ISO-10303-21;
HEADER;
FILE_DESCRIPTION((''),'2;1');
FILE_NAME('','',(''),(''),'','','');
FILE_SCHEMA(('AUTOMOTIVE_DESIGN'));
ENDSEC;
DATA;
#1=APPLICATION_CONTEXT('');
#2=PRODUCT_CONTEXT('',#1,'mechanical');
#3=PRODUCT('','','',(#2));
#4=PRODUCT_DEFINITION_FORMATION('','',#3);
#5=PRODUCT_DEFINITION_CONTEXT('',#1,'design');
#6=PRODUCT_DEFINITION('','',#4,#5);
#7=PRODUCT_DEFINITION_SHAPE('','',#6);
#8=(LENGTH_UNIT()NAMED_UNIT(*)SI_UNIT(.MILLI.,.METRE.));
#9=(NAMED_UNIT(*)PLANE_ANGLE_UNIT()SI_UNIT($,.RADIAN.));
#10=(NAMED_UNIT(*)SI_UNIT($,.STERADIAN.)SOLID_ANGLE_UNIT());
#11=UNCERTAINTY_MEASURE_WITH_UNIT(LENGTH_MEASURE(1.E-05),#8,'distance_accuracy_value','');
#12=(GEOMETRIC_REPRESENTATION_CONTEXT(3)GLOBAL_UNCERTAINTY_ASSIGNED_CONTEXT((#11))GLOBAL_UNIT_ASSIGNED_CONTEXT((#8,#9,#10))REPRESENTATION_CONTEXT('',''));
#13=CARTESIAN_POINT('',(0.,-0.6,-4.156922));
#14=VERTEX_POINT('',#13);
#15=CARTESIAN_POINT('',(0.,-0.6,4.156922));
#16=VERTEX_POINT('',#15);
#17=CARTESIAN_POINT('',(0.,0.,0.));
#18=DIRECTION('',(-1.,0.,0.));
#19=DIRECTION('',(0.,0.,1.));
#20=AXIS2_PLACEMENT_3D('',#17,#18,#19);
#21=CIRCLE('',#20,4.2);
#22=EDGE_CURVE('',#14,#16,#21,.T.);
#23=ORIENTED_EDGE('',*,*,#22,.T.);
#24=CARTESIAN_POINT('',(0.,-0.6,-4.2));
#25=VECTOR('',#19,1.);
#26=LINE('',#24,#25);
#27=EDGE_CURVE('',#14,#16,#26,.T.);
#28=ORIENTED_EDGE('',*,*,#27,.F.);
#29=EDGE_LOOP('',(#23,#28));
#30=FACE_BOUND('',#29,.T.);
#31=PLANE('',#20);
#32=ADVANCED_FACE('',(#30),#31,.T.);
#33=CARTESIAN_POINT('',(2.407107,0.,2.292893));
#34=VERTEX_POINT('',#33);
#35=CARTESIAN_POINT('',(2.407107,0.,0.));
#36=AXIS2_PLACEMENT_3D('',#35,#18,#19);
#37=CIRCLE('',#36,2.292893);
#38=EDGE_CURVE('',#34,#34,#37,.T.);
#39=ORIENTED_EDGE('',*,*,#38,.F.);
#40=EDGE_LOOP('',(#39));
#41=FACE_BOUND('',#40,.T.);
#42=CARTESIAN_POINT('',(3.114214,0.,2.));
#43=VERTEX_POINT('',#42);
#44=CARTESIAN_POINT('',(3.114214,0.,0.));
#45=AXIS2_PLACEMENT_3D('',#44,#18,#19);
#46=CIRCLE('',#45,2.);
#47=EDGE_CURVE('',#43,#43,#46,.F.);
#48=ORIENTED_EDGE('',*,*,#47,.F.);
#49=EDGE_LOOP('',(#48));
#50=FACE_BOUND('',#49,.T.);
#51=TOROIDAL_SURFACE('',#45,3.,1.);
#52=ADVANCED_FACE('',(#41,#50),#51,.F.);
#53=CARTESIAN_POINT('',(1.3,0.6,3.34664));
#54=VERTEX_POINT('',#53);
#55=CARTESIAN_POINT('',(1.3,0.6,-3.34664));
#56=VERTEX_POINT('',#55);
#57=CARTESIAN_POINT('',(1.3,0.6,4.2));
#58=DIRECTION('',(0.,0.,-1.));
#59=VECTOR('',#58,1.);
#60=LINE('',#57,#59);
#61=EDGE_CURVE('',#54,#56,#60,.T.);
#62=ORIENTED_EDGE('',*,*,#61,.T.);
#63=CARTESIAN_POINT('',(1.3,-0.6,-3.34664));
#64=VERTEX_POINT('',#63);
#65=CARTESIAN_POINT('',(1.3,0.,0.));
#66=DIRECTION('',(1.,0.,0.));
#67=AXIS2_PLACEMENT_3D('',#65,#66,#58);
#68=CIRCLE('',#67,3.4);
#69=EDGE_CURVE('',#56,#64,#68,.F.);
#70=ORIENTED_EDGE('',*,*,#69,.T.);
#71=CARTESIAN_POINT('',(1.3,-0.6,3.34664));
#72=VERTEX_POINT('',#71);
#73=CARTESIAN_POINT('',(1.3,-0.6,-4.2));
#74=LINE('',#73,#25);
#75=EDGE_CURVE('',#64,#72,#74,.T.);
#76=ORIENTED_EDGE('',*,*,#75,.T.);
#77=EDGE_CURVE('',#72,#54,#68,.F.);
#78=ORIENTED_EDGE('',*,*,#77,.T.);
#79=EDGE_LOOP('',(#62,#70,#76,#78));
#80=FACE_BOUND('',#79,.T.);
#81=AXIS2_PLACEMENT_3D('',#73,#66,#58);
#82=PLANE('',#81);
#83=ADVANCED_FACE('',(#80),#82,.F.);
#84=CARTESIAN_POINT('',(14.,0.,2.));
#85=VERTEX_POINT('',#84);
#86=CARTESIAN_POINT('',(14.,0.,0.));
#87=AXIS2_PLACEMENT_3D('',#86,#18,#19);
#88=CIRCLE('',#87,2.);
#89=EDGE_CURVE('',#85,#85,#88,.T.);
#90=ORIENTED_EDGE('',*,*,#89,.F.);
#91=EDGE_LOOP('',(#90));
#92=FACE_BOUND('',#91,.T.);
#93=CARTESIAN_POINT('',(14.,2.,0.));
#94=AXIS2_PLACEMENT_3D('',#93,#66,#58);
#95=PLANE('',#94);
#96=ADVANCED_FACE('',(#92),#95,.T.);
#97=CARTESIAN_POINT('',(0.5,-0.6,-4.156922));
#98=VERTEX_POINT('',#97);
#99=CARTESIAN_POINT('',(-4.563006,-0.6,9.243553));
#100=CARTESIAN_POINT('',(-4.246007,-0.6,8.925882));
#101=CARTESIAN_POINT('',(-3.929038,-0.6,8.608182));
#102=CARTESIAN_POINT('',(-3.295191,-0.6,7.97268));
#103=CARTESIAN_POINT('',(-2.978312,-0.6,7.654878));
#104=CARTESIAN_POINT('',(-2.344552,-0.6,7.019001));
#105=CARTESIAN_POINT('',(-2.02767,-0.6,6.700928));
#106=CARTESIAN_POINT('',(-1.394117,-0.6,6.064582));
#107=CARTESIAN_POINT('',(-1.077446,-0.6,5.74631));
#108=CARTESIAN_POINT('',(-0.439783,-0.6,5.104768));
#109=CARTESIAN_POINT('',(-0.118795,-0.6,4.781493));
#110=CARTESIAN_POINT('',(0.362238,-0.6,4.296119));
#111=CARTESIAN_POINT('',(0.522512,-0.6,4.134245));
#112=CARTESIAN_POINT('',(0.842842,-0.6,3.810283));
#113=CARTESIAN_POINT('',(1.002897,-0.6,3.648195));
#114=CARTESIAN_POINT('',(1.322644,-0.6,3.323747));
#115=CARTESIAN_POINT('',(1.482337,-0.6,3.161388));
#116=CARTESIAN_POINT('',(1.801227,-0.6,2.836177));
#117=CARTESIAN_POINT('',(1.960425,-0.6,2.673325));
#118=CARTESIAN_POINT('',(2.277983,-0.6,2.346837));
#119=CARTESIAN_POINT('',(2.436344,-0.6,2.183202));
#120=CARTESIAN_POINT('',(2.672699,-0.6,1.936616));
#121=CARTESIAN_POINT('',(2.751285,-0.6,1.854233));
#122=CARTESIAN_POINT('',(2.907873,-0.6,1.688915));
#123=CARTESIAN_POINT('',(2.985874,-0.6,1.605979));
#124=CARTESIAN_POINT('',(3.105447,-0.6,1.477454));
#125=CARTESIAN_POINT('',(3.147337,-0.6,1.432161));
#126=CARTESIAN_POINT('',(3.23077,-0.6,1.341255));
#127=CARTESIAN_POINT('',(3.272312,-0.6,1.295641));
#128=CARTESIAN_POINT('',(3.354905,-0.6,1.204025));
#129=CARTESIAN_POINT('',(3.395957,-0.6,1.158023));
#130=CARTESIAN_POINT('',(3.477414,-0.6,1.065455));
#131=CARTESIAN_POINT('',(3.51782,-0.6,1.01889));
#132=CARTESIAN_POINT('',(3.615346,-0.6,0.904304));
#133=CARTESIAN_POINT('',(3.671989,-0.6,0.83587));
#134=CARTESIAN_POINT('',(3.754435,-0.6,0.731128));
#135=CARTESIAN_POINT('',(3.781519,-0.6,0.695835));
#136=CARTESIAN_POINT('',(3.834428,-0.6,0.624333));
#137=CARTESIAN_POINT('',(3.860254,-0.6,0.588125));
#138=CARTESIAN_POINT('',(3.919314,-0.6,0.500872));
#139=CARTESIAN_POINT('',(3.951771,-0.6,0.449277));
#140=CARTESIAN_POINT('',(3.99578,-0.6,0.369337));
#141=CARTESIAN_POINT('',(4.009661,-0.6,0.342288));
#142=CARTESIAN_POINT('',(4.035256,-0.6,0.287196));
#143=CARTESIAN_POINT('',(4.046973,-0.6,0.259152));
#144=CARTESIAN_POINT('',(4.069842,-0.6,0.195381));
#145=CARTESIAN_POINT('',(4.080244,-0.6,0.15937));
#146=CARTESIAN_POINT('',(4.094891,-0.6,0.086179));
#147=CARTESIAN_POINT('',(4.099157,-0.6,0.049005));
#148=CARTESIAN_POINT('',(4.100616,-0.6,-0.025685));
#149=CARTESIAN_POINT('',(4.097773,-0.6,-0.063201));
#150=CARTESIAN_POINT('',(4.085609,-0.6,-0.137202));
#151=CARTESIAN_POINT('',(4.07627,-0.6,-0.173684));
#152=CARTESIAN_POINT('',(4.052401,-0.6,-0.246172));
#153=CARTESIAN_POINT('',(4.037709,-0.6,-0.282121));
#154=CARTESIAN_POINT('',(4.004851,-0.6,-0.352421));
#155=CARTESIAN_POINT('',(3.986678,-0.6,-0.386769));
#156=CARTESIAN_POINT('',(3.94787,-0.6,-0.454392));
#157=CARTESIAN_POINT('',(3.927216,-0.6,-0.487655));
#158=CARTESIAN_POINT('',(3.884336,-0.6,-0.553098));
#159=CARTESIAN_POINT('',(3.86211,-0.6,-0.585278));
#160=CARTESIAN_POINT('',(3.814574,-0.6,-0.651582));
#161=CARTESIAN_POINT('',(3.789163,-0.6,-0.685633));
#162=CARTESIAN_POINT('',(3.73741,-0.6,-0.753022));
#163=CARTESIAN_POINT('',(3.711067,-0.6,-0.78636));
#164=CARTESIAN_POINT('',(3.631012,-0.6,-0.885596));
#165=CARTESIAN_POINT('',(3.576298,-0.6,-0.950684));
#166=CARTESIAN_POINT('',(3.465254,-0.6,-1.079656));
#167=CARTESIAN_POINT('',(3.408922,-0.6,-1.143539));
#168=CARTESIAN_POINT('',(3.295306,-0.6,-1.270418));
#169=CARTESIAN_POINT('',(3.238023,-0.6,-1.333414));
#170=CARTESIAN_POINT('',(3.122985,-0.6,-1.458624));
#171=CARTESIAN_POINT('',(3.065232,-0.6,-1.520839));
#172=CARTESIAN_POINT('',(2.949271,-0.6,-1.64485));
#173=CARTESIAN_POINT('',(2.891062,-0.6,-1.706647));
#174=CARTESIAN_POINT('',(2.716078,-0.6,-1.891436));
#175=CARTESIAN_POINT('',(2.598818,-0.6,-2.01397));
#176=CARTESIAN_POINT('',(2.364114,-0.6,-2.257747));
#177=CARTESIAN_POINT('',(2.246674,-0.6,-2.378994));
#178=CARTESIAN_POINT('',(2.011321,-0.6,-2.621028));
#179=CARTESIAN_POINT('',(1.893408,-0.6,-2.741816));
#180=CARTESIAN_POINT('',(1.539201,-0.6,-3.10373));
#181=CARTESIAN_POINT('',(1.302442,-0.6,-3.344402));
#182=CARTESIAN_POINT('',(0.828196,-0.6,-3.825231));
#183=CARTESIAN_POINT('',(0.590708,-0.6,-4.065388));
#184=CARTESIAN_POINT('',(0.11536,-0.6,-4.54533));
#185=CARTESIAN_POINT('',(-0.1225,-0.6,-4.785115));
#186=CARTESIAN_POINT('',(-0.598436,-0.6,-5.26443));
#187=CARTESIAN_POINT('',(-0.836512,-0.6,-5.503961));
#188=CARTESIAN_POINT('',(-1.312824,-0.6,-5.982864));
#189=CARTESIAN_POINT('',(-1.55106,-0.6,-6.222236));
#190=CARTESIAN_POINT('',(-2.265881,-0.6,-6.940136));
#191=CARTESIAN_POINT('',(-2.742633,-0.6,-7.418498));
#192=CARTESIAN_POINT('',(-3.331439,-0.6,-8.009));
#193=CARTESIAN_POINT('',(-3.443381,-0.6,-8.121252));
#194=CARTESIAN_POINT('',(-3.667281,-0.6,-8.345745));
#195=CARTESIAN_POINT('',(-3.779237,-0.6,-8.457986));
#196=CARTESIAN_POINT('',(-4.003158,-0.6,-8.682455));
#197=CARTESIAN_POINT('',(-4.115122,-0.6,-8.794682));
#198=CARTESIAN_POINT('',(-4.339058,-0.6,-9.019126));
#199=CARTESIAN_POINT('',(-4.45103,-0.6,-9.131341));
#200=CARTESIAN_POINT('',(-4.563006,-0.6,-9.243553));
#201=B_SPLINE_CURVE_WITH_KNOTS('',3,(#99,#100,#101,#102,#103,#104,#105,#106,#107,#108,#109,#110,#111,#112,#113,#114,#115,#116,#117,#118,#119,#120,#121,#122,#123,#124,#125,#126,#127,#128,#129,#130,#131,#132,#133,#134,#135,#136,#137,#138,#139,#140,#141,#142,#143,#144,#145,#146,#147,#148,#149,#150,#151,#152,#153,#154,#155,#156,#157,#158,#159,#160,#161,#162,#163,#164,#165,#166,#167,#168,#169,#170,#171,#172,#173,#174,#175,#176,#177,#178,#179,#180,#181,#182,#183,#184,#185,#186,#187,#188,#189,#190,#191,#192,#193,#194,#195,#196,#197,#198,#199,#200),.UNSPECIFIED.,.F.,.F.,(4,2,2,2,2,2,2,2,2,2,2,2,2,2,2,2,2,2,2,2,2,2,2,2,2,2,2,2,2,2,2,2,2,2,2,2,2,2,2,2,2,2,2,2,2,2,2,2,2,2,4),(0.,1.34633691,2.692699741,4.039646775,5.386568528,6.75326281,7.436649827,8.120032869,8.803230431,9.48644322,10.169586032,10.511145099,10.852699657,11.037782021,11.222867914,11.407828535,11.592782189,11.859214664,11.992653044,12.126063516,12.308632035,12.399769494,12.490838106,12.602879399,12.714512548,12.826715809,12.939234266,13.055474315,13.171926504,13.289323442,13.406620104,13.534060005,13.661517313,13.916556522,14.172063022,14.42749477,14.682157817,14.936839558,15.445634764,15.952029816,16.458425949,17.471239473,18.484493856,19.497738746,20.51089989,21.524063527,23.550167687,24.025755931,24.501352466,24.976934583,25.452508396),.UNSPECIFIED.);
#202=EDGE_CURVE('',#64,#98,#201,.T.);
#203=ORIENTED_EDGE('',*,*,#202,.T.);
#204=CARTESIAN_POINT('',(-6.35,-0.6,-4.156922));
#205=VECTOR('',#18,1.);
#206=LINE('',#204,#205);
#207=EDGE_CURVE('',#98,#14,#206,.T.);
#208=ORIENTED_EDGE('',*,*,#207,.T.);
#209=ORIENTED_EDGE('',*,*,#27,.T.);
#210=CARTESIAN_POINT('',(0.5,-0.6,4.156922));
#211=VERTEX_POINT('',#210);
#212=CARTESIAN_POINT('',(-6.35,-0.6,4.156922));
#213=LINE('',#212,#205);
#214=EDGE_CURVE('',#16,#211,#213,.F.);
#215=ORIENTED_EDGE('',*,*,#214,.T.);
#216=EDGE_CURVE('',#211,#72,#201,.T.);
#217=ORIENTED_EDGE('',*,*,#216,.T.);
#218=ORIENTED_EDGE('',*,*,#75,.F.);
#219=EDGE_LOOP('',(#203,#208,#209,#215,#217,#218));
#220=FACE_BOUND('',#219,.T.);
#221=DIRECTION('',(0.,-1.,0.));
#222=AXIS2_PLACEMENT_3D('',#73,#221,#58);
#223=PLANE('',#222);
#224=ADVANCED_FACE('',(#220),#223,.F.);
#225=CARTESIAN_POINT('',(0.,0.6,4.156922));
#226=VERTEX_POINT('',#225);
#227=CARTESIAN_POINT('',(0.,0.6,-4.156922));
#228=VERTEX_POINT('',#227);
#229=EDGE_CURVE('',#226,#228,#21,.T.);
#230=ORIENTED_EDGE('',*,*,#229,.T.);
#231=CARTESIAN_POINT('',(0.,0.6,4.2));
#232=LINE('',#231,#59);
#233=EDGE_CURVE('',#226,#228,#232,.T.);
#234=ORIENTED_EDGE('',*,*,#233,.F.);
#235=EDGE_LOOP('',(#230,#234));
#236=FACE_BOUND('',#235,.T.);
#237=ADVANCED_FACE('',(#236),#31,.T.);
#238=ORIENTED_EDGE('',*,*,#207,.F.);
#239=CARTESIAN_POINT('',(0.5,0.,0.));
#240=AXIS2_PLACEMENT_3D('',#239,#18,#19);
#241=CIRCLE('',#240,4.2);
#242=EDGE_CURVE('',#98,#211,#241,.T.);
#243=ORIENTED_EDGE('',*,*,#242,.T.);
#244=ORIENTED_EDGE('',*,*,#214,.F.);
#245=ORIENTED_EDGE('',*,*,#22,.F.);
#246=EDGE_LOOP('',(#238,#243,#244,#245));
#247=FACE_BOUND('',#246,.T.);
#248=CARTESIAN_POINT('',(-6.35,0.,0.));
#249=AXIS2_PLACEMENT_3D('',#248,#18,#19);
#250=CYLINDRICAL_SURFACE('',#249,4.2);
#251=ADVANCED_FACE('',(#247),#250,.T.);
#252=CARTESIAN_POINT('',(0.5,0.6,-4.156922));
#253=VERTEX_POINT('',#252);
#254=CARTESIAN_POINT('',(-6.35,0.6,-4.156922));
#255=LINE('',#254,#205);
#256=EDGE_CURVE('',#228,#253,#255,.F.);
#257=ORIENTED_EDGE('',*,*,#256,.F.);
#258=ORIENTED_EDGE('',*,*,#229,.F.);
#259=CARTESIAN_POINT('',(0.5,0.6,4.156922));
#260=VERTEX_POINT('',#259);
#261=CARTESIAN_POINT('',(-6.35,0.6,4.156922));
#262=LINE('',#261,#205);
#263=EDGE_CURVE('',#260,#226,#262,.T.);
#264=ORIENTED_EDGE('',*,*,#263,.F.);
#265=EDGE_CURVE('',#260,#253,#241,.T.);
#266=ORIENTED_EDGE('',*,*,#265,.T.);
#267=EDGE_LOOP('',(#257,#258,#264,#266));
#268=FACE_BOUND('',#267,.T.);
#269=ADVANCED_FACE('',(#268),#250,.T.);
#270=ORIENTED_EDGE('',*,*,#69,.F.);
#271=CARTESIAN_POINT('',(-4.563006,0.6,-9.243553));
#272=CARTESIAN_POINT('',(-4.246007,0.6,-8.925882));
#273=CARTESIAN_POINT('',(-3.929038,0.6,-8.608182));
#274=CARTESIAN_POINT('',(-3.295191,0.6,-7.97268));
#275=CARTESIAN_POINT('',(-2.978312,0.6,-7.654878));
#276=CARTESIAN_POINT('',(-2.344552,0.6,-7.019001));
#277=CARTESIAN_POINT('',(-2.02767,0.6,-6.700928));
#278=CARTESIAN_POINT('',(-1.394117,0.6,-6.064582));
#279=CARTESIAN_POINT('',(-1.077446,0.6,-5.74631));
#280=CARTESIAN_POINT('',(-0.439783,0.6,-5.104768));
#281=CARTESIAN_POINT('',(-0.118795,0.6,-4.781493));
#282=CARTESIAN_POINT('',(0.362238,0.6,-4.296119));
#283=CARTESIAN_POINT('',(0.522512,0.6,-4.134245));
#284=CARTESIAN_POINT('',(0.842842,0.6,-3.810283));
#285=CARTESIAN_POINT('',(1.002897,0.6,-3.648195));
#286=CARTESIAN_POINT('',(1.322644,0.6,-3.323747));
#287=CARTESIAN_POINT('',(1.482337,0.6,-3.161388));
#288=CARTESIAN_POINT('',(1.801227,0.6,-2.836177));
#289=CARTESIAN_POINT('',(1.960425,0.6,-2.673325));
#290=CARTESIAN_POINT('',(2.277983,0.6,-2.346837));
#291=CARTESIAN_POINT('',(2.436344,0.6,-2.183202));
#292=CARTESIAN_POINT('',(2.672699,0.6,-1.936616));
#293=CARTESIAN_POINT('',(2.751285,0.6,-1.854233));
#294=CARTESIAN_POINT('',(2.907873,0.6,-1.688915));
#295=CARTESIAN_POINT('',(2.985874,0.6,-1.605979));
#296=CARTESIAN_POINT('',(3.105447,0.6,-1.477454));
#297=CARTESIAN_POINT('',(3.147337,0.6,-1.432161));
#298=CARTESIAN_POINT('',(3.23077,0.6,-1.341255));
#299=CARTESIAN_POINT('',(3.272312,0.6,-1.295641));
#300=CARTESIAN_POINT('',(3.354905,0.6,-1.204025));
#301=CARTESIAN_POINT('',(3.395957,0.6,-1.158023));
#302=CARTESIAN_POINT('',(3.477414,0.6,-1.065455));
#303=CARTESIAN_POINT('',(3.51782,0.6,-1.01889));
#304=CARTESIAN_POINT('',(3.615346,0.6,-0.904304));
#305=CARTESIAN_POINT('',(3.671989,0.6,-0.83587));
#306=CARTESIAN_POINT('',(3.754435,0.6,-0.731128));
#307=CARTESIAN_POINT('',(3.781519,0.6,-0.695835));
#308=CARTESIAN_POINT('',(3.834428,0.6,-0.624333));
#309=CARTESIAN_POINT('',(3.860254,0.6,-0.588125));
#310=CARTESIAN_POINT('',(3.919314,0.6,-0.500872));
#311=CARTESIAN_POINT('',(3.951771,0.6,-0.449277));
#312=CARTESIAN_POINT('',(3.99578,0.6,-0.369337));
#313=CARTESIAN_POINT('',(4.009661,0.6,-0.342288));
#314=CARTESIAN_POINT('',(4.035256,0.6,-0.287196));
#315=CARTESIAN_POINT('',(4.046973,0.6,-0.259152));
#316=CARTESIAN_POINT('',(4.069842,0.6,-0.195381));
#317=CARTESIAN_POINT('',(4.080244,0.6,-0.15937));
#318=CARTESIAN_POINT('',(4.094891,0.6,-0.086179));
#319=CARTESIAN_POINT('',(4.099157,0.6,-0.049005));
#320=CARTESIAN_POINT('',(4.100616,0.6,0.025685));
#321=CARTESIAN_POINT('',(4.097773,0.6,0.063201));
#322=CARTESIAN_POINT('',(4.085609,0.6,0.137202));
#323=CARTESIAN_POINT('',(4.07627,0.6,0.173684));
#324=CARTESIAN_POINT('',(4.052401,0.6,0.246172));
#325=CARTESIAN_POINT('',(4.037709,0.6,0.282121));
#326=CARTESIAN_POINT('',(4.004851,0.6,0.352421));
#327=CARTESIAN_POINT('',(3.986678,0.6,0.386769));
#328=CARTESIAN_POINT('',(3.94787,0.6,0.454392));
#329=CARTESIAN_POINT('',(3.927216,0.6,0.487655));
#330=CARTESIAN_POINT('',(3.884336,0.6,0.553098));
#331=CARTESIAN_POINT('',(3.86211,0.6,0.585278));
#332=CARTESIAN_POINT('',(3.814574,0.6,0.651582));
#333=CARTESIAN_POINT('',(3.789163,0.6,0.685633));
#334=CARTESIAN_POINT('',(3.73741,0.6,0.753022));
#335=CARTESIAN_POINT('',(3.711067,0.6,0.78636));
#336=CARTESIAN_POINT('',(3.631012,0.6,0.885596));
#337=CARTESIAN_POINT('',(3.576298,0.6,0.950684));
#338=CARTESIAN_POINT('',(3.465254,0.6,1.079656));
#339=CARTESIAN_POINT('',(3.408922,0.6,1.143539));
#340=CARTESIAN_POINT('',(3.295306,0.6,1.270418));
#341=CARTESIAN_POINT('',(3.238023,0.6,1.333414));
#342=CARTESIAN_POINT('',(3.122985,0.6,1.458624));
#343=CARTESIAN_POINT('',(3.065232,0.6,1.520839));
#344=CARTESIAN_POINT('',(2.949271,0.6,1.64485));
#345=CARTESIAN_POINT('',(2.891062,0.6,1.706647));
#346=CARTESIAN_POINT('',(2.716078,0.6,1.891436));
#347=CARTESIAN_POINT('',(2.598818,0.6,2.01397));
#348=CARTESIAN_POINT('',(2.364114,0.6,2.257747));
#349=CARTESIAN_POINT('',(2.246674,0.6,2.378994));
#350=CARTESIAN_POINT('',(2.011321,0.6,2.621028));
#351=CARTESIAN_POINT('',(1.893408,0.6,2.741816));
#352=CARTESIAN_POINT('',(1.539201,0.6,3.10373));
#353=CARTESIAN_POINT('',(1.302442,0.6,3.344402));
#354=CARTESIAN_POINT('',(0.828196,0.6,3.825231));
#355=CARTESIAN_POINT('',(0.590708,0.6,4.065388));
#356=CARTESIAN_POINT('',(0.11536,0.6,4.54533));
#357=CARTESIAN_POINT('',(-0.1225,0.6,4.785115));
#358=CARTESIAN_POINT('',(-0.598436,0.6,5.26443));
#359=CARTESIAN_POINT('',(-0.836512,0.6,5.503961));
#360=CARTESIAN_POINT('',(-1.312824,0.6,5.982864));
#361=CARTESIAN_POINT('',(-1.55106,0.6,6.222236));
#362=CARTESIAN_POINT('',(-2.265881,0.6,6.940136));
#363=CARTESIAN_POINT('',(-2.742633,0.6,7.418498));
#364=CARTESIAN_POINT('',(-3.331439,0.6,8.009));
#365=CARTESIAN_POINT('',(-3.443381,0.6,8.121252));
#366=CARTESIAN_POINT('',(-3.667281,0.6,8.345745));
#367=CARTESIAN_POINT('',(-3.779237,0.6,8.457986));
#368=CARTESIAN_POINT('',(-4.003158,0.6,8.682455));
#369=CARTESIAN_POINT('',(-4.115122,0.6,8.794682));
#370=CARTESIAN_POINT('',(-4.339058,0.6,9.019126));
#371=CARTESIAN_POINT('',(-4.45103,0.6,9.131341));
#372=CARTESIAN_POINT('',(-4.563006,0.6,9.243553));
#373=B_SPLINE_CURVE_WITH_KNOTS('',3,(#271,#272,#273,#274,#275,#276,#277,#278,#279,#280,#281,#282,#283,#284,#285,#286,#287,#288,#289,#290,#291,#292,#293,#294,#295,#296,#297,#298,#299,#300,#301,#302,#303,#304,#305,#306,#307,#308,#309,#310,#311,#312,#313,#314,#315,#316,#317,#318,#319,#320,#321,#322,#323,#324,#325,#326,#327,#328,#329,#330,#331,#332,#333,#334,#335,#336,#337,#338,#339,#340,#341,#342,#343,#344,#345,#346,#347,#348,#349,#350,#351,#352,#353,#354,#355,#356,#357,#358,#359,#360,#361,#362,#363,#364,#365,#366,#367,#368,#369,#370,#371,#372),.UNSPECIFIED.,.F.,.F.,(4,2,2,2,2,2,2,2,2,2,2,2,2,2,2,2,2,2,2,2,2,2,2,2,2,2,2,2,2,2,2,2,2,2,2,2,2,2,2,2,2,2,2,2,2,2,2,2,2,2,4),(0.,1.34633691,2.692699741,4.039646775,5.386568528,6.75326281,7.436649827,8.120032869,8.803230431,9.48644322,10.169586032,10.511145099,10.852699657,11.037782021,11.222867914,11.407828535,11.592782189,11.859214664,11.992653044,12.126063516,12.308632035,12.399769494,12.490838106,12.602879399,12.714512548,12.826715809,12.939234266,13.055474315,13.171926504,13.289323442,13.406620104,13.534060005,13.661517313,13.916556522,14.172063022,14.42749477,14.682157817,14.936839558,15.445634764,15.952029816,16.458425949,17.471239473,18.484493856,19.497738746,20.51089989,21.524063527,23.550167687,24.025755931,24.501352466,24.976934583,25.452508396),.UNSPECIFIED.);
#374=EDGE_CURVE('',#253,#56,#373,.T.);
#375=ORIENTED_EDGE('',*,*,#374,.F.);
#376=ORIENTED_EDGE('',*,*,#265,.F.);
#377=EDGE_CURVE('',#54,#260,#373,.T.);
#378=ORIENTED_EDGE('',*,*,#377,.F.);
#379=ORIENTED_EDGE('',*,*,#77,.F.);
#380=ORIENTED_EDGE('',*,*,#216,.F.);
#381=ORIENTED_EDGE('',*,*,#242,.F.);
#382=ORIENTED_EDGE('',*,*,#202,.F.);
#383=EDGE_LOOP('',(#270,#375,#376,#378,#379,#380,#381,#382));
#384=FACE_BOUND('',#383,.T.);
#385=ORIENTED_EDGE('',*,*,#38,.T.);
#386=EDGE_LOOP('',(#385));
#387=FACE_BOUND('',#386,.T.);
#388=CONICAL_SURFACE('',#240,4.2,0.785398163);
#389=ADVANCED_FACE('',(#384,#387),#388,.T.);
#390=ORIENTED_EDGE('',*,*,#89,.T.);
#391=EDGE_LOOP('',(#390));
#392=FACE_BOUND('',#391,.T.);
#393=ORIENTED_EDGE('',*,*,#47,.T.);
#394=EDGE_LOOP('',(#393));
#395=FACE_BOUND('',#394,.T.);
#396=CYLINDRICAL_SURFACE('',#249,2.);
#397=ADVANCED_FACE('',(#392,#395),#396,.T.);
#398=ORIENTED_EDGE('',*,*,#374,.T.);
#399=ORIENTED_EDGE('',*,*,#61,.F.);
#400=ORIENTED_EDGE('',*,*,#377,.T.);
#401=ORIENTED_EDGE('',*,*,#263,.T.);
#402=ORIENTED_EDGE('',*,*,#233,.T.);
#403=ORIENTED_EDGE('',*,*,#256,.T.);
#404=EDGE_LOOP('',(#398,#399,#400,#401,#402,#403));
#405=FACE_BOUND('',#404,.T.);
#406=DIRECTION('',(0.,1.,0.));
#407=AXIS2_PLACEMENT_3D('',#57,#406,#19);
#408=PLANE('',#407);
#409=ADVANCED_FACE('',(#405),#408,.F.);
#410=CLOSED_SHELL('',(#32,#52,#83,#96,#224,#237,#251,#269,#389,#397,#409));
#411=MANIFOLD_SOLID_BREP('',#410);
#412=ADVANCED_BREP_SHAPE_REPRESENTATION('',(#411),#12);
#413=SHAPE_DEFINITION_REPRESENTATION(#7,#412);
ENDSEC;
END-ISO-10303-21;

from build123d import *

# Parameters (mm, degrees)
FILLET1_R  = 1
SKETCH2_W  = 8.4
SKETCH2_H  = 1.2
SLOT_DEPTH = 1.3


with BuildPart() as part:
    # BodySke → Base-Revolve (revolve)
    with BuildSketch(Plane.XY, mode=Mode.PRIVATE) as base_revolve_sk:
        Polygon((0, 0), (0, 4.2), (0.5, 4.2), (2.7, 2), (14, 2), (14, 0), align=None)
    revolve(base_revolve_sk.sketch.rotate(Axis((-6.35, 0, 0), (1, 0, 0)), 90), axis=Axis((-6.35, 0, 0), (1, 0, 0)))  # turned: the seam where the file's is

    # Fillet1
    fillet1_edges = [part.edges().sort_by_distance(p)[0] for p in [
        (2.7, 0, -2),
    ]]
    fillet(fillet1_edges, radius=FILLET1_R)

    # Sketch2 → Slot (cut)
    with BuildSketch(Plane.ZY):
        Rectangle(SKETCH2_W, SKETCH2_H)
    extrude(amount=-SLOT_DEPTH, mode=Mode.SUBTRACT)


solid = part.part
